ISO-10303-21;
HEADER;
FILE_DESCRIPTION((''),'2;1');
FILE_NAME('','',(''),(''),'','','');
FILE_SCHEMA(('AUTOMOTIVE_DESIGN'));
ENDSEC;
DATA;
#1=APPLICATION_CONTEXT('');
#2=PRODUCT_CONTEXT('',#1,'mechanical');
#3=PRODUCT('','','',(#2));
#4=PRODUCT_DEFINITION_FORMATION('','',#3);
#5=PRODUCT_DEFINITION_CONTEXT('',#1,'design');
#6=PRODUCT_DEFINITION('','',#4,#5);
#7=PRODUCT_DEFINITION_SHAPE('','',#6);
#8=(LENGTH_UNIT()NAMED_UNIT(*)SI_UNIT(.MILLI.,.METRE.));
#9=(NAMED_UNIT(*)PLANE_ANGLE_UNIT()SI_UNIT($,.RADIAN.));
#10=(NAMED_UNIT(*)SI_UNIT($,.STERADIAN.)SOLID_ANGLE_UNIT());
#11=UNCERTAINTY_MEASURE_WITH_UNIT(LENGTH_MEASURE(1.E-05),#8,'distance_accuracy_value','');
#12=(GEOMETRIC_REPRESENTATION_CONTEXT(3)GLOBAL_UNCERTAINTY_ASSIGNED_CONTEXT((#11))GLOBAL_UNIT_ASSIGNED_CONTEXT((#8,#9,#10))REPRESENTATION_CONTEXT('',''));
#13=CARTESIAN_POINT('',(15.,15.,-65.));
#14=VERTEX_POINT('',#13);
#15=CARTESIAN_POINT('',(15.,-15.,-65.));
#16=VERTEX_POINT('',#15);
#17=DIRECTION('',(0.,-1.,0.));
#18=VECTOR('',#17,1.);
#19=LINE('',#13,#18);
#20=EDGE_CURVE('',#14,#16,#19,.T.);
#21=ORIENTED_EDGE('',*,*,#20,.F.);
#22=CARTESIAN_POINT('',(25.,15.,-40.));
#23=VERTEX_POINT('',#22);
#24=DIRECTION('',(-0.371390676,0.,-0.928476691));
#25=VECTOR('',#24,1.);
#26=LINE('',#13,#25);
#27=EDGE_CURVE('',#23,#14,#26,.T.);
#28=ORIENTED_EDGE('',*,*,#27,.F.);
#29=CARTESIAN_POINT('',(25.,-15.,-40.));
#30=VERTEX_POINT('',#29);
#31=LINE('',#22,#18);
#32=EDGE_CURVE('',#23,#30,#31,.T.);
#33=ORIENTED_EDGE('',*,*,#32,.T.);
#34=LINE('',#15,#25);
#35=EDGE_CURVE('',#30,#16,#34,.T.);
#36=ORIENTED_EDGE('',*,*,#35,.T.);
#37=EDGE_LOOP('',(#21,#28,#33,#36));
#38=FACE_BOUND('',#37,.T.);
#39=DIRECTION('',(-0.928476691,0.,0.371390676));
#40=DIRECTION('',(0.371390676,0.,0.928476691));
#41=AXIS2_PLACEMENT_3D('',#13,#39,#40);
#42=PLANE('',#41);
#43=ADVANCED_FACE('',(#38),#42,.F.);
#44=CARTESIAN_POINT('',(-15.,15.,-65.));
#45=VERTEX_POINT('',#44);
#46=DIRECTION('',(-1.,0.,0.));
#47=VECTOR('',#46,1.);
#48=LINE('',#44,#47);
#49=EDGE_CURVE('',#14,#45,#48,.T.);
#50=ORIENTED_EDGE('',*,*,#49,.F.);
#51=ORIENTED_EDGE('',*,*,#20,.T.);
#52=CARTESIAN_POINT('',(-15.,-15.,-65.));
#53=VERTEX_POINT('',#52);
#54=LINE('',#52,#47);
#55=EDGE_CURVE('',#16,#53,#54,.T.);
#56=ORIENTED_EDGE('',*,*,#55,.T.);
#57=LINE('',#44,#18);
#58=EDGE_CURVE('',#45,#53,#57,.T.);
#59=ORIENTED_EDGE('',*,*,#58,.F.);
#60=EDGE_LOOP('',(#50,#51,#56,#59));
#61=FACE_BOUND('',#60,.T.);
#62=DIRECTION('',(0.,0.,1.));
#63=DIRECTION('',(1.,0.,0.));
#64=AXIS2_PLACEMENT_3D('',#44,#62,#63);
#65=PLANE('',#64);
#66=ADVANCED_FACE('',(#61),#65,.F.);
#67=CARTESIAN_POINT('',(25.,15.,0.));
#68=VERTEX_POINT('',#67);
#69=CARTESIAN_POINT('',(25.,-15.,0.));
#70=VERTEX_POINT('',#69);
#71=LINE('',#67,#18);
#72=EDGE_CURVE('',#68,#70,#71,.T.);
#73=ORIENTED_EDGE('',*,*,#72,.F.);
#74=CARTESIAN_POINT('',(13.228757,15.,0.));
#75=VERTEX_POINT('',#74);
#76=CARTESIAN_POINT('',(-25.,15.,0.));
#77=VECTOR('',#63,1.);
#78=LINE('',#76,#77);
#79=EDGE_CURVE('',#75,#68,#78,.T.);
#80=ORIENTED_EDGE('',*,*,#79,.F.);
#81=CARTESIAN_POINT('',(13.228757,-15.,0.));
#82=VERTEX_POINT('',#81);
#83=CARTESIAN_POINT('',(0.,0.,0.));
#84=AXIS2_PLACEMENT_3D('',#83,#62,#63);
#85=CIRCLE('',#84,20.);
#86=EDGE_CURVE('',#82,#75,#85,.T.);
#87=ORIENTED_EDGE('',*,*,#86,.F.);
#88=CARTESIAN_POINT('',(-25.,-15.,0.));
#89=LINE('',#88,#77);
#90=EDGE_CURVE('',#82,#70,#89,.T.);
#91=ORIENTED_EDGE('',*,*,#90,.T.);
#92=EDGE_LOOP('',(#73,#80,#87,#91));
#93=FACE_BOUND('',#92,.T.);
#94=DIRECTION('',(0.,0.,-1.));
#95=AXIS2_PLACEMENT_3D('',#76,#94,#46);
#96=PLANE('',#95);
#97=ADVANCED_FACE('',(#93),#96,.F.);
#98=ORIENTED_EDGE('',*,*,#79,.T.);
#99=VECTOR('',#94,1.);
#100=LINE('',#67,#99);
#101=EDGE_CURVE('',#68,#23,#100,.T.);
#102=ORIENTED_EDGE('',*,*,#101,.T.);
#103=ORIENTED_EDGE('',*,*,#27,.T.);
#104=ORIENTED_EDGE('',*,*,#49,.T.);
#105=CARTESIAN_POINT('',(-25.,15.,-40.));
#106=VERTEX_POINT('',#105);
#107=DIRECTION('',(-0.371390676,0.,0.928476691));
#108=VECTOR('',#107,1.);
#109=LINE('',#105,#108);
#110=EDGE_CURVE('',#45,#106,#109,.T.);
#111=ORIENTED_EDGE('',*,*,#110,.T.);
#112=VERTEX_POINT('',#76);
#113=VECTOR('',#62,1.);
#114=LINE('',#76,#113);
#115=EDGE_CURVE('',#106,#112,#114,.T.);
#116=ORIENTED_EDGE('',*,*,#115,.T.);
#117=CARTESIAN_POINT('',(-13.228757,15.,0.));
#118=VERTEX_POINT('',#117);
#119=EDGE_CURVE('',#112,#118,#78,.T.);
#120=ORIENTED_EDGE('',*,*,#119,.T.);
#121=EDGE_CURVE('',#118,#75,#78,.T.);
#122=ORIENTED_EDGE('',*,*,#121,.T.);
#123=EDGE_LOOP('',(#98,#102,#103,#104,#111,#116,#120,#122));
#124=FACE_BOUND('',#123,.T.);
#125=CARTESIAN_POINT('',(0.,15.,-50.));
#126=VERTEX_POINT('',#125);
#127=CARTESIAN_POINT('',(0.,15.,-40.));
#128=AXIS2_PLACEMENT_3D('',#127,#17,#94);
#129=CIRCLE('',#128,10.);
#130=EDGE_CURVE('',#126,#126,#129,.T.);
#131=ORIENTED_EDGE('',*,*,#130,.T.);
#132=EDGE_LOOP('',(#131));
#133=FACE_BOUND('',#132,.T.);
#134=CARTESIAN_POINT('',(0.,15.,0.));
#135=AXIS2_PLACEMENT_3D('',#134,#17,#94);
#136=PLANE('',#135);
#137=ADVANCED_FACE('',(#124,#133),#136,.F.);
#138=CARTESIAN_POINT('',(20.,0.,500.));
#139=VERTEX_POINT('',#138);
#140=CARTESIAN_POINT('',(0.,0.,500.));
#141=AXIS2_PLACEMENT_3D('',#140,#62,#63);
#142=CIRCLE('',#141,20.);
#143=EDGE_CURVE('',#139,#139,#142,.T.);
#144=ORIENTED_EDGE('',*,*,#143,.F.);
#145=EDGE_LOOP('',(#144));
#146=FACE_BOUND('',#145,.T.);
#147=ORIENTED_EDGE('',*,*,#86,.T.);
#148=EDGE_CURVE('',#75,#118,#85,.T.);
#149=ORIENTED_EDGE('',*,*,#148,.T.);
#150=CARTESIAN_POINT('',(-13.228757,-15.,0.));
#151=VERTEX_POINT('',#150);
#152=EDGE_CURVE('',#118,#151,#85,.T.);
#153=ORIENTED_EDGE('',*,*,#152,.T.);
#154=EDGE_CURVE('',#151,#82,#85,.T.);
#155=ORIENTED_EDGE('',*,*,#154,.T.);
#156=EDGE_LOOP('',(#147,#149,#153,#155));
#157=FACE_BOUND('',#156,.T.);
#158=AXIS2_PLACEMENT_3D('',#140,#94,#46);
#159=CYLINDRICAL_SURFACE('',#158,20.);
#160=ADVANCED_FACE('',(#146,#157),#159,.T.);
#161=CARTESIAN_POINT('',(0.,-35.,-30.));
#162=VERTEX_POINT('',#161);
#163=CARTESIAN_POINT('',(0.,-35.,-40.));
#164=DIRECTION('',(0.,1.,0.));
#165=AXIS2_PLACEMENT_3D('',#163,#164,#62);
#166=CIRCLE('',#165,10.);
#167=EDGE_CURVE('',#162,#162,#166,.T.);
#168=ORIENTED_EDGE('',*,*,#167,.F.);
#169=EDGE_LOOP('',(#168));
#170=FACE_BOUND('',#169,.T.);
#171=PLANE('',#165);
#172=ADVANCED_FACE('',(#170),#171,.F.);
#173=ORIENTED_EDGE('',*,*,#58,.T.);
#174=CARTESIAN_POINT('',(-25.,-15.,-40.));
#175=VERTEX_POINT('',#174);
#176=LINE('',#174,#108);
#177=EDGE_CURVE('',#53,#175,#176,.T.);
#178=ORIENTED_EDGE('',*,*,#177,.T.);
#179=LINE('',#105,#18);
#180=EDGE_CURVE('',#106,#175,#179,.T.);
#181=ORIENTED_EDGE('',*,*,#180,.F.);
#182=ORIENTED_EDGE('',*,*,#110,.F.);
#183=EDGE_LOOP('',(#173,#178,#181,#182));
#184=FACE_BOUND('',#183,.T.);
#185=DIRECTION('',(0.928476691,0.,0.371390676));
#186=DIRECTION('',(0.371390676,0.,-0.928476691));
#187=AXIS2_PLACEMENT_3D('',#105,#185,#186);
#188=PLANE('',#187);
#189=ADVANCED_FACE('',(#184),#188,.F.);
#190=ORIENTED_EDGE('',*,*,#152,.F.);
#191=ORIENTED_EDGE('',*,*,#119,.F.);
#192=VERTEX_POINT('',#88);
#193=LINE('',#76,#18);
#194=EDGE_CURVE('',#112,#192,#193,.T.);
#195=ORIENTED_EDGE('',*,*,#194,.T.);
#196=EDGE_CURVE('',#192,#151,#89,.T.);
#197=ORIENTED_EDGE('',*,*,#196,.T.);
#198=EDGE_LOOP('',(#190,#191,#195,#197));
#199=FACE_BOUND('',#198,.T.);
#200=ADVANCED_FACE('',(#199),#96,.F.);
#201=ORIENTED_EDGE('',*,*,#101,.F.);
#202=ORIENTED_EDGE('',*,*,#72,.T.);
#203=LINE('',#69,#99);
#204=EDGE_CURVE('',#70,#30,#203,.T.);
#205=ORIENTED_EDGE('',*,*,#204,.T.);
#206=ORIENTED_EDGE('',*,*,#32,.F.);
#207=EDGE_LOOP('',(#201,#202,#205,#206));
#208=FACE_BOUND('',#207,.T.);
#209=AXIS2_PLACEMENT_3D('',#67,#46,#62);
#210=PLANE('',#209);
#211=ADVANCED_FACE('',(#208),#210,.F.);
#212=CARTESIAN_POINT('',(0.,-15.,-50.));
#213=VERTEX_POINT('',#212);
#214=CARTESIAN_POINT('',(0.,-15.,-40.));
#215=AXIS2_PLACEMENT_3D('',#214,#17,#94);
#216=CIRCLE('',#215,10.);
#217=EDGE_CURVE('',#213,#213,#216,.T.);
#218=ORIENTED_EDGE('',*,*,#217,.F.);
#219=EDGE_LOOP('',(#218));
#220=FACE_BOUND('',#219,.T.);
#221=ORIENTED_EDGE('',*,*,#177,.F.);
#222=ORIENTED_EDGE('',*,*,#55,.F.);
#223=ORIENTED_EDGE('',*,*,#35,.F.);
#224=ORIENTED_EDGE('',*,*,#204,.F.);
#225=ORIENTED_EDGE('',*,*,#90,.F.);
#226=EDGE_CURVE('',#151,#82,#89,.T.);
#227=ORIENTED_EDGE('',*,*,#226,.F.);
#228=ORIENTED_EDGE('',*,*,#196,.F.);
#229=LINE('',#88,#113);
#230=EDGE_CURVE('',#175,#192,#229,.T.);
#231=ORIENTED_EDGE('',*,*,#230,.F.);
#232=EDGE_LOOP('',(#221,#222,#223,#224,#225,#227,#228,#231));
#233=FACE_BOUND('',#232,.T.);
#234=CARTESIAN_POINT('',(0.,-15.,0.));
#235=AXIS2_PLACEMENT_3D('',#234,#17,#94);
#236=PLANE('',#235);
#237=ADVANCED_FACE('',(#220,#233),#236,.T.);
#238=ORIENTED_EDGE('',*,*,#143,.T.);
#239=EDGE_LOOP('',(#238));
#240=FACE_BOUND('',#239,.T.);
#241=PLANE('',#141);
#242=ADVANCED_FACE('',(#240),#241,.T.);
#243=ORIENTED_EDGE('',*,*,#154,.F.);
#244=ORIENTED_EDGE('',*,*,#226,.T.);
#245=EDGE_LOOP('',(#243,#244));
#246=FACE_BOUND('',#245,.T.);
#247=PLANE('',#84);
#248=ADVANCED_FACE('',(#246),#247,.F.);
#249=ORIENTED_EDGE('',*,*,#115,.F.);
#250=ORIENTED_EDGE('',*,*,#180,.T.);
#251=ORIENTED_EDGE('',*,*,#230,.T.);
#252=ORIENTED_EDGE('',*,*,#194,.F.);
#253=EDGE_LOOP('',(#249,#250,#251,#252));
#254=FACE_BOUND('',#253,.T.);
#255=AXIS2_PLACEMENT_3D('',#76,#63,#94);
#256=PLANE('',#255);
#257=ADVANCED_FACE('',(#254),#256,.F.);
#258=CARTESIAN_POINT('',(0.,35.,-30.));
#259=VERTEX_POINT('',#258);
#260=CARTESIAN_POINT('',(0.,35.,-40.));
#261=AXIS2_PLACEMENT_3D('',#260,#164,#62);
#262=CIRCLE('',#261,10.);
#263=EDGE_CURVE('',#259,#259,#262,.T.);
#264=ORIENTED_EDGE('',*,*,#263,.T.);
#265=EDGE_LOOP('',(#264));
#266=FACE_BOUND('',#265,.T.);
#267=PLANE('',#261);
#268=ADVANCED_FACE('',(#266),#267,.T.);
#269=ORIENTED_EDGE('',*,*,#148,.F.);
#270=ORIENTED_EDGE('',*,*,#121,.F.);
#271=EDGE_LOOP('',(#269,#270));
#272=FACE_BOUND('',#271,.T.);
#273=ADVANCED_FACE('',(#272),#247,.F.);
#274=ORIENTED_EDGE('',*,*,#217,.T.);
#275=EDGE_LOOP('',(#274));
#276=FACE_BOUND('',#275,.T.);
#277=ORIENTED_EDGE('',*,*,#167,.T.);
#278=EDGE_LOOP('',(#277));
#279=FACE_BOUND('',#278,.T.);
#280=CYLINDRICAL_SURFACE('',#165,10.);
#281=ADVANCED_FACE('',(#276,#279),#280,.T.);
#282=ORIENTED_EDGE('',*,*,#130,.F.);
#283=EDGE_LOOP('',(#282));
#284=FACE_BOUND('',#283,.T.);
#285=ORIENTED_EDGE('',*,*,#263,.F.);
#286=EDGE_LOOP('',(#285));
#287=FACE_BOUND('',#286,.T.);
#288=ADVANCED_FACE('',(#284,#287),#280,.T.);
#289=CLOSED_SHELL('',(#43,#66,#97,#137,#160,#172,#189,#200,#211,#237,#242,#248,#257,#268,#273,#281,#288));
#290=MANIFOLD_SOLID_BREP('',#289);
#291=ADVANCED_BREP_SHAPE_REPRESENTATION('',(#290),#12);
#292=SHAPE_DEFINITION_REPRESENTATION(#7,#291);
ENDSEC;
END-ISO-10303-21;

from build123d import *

# Parameters (mm, degrees)
SKETCH1_R                = 20
BOSS_EXTRUDE1_DEPTH      = 500
BOSS_EXTRUDE2_DEPTH      = 15
BOSS_EXTRUDE3_DEPTH      = 35
BOSS_EXTRUDE3_DEPTH_BACK = 35
SKETCH3_R                = 10


with BuildPart() as part:
    # Sketch1 → Boss-Extrude1 (new body)
    with BuildSketch(Plane.XY):
        Circle(SKETCH1_R)
    extrude(amount=BOSS_EXTRUDE1_DEPTH)

    # Sketch2 → Boss-Extrude2 (add, symmetric)
    with BuildSketch(Plane(origin=(0, 0, 0), x_dir=(1, 0, 0), z_dir=(0, 1, 0))):
        Polygon((-25, 0), (25, 0), (25, 40), (15, 65), (-15, 65), (-25, 40), align=None)
    extrude(amount=BOSS_EXTRUDE2_DEPTH, both=True)

    # Sketch3 → Boss-Extrude3 (add, two sides: drawn at the far end of the back side and taken through both)
    with BuildSketch(Plane(origin=(0, 0, 0), x_dir=(1, 0, 0), z_dir=(0, 1, 0)).offset(-BOSS_EXTRUDE3_DEPTH_BACK)):
        with Locations(Location((0, 40, 0), (0, 0, 270))):
            Circle(SKETCH3_R)
    extrude(amount=BOSS_EXTRUDE3_DEPTH + BOSS_EXTRUDE3_DEPTH_BACK)


solid = part.part
